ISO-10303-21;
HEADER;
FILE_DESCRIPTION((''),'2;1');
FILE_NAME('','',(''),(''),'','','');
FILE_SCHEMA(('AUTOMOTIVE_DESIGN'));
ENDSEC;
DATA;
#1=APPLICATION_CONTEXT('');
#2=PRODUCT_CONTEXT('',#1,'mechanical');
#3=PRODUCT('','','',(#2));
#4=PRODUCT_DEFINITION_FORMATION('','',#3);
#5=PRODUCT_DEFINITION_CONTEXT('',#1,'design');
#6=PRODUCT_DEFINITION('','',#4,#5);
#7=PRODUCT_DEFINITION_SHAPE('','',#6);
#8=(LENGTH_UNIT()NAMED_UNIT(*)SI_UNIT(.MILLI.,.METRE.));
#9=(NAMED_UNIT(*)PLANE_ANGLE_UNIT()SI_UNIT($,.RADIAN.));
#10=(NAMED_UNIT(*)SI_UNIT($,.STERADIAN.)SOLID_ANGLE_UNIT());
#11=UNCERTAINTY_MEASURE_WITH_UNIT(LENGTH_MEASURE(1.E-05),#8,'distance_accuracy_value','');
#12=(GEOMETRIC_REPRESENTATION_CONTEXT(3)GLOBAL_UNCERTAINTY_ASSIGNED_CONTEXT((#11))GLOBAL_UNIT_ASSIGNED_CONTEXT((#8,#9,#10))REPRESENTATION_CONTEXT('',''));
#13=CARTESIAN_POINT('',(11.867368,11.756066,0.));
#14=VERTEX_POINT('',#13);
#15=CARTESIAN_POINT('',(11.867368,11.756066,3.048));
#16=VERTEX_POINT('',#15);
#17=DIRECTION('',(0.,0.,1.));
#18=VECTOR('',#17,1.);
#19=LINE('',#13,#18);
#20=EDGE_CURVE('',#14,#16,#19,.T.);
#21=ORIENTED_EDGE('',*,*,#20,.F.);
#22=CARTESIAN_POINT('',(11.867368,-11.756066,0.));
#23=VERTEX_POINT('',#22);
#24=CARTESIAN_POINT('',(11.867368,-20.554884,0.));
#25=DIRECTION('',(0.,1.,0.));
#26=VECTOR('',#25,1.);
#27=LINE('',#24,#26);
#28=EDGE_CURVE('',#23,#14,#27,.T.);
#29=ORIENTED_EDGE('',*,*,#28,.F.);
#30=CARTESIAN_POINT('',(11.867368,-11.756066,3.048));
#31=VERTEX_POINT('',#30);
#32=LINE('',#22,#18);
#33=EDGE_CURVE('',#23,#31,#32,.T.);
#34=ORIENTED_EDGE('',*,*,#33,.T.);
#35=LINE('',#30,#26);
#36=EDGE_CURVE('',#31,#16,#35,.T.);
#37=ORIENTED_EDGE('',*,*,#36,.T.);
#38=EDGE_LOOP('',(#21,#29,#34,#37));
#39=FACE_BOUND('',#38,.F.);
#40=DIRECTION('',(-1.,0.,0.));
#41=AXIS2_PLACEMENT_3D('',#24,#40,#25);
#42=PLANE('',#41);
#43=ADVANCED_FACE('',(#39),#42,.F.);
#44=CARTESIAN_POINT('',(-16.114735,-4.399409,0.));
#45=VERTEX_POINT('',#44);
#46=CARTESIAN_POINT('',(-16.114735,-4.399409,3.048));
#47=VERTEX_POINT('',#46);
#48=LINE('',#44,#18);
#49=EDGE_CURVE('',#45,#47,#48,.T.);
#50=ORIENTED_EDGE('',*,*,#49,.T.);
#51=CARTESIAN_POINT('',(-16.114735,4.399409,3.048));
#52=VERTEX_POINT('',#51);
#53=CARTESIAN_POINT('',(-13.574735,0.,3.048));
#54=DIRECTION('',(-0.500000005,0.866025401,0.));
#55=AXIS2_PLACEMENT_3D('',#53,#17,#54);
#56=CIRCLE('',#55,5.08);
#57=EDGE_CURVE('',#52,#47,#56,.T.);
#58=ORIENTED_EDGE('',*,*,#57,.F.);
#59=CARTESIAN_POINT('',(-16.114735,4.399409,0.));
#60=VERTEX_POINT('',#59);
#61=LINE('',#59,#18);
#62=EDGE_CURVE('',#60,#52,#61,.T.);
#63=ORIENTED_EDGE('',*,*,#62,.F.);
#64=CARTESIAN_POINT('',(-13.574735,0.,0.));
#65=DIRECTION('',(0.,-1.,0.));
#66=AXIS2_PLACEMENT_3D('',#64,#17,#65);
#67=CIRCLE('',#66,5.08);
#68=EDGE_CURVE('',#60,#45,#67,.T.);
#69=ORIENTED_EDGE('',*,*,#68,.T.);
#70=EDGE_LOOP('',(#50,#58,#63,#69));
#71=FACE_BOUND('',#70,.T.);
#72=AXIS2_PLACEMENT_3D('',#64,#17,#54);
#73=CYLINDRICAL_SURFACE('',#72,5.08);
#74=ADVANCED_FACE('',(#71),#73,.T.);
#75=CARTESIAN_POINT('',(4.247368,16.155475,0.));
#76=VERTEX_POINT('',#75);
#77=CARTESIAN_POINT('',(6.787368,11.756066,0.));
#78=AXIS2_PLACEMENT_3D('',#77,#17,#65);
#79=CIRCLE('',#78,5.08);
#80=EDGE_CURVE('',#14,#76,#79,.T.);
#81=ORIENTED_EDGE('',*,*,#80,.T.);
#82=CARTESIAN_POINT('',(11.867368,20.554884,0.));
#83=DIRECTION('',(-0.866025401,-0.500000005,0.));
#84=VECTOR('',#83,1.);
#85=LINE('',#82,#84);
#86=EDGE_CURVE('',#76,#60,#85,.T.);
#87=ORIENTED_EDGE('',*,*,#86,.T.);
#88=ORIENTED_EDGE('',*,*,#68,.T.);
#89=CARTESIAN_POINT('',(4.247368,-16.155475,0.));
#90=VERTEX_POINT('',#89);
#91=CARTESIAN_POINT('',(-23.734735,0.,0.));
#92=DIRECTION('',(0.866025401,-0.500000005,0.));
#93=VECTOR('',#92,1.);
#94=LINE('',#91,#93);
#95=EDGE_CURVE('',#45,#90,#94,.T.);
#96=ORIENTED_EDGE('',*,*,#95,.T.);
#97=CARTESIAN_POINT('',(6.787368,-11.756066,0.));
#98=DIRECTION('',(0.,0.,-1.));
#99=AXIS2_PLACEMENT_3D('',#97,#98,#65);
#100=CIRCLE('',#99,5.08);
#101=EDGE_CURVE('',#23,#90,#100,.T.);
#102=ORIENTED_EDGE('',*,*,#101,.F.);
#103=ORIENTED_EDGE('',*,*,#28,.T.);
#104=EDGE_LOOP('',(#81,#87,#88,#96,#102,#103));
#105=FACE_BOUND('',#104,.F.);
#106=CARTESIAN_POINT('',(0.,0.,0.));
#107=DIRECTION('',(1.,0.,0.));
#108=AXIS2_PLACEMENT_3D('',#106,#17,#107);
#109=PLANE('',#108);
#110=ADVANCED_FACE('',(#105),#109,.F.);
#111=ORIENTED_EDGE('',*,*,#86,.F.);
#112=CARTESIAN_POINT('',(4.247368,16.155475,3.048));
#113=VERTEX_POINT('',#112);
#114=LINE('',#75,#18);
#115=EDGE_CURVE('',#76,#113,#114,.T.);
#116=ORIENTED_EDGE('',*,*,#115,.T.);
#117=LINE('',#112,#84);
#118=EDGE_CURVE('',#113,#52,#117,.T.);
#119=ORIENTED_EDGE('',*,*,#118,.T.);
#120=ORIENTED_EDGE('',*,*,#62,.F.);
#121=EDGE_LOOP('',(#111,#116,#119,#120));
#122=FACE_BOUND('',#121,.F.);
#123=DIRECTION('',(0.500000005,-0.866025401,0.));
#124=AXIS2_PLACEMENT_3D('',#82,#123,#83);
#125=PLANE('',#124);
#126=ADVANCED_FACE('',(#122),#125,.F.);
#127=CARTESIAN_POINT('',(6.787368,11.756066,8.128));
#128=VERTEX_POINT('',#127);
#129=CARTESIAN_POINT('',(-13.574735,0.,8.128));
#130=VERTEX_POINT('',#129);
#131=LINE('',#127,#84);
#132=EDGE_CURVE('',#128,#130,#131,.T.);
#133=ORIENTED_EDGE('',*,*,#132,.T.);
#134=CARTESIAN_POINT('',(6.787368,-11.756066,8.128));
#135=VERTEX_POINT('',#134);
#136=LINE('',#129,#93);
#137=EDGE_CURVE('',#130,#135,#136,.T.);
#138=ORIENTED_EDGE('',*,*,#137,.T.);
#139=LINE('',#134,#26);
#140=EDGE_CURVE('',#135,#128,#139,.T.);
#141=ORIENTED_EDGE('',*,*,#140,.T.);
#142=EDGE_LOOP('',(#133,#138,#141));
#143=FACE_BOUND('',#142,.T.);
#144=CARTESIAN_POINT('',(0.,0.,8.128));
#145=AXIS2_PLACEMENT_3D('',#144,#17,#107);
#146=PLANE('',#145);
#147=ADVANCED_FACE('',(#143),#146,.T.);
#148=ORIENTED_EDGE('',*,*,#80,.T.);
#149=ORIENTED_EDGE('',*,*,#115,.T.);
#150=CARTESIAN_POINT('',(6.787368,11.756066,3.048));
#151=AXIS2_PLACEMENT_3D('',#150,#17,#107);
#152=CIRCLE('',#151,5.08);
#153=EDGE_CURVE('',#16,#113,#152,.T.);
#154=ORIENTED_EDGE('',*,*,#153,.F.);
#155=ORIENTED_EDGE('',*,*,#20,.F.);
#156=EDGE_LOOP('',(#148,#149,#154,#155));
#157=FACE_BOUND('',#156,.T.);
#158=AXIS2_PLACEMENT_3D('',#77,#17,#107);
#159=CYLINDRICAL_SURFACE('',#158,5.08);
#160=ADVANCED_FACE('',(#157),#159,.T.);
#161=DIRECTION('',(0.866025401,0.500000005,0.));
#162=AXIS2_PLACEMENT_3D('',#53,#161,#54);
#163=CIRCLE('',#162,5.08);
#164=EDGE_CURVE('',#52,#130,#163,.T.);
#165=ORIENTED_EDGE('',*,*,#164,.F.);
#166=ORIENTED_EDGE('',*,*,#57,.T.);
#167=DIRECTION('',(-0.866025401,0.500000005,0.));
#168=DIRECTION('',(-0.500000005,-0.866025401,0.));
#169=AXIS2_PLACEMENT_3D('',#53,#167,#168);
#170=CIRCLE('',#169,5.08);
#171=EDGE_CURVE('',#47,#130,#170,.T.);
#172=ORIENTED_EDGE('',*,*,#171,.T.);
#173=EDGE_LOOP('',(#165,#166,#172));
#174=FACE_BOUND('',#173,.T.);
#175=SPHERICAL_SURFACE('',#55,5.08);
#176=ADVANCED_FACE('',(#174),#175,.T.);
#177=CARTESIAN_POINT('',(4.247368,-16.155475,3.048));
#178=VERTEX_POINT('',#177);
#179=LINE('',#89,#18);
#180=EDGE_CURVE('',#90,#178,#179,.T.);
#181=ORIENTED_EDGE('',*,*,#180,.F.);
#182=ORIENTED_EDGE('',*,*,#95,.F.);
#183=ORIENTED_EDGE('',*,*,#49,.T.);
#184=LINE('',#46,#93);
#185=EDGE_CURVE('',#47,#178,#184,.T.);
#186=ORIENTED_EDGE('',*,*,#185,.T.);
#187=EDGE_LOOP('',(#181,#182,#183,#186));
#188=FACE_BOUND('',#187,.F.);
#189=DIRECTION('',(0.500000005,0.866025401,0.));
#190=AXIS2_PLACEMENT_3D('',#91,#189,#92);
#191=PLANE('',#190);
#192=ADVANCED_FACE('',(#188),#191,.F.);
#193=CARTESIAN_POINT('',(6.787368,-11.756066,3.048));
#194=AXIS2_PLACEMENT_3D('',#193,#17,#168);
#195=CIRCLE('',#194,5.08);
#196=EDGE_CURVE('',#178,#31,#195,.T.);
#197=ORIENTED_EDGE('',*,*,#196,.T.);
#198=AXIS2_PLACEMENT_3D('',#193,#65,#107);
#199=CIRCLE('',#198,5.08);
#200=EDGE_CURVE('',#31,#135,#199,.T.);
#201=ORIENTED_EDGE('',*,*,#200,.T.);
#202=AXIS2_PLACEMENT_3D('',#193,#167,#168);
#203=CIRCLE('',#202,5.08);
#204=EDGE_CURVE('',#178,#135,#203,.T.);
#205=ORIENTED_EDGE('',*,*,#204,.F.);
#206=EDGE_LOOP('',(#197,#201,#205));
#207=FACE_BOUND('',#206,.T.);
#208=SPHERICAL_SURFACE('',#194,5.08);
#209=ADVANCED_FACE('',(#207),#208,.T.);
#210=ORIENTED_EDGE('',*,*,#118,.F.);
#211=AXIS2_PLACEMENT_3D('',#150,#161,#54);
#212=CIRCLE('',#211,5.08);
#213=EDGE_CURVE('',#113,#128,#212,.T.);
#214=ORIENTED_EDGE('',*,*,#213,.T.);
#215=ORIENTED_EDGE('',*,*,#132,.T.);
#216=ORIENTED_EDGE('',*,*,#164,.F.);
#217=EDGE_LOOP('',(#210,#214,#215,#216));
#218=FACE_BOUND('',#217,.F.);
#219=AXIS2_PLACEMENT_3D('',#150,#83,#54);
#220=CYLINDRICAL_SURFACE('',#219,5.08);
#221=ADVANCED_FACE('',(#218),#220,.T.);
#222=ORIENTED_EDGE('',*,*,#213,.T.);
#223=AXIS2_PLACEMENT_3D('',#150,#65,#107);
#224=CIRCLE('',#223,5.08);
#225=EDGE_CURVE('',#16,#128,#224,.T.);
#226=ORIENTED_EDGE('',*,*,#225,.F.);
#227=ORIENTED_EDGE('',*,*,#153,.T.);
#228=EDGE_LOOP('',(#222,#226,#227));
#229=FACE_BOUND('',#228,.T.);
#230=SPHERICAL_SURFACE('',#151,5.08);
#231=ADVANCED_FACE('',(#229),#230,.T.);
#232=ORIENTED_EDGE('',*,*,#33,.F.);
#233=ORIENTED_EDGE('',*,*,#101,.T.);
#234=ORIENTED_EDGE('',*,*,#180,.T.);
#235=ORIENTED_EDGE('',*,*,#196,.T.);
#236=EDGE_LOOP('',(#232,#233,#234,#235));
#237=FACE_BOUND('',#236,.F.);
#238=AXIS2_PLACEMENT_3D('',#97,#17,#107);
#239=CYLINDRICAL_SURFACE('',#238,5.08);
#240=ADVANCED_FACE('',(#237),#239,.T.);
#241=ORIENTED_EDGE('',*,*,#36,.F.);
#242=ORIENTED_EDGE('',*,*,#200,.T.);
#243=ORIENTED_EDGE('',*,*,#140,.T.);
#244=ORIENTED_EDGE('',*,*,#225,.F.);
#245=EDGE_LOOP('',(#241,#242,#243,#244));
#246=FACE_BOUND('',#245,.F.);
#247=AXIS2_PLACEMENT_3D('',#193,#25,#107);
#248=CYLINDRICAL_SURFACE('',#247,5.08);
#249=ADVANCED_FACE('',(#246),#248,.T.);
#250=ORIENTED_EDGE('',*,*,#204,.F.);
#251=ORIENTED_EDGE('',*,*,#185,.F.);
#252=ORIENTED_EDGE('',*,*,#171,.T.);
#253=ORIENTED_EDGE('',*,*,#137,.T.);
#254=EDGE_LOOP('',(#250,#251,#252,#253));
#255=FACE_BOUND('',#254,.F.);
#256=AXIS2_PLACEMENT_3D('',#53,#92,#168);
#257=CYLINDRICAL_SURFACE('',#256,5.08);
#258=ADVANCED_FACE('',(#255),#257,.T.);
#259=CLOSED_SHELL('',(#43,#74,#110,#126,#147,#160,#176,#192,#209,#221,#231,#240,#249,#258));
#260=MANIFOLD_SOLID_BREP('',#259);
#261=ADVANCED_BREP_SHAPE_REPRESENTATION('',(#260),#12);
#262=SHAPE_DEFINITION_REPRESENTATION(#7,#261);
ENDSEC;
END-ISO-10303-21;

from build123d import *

# Parameters (mm, degrees)
F1_DEPTH = 8.128
F2_R     = 5.08
F3_R     = 5.08


with BuildPart() as f1:
    # F0 (on Top) → F1 (new body)
    with BuildSketch(Plane.XY):
        Polygon((11.867368, -20.554884), (11.867368, 20.554884), (-23.734735, 0), align=None)
    extrude(amount=F1_DEPTH)

    # F2
    f2_edges = [f1.edges().sort_by_distance(p)[0] for p in [
        (11.867368, -20.554884, 4.064),
        (-23.734735, 0, 4.064),
        (11.867368, 20.554884, 4.064),
    ]]
    fillet(f2_edges, radius=F2_R)

    # F3
    f3_edges = [f1.edges().sort_by_distance(p)[0] for p in [
        (11.867368, 0, 8.128),
    ]]
    fillet(f3_edges, radius=F3_R)


solid = f1.part
